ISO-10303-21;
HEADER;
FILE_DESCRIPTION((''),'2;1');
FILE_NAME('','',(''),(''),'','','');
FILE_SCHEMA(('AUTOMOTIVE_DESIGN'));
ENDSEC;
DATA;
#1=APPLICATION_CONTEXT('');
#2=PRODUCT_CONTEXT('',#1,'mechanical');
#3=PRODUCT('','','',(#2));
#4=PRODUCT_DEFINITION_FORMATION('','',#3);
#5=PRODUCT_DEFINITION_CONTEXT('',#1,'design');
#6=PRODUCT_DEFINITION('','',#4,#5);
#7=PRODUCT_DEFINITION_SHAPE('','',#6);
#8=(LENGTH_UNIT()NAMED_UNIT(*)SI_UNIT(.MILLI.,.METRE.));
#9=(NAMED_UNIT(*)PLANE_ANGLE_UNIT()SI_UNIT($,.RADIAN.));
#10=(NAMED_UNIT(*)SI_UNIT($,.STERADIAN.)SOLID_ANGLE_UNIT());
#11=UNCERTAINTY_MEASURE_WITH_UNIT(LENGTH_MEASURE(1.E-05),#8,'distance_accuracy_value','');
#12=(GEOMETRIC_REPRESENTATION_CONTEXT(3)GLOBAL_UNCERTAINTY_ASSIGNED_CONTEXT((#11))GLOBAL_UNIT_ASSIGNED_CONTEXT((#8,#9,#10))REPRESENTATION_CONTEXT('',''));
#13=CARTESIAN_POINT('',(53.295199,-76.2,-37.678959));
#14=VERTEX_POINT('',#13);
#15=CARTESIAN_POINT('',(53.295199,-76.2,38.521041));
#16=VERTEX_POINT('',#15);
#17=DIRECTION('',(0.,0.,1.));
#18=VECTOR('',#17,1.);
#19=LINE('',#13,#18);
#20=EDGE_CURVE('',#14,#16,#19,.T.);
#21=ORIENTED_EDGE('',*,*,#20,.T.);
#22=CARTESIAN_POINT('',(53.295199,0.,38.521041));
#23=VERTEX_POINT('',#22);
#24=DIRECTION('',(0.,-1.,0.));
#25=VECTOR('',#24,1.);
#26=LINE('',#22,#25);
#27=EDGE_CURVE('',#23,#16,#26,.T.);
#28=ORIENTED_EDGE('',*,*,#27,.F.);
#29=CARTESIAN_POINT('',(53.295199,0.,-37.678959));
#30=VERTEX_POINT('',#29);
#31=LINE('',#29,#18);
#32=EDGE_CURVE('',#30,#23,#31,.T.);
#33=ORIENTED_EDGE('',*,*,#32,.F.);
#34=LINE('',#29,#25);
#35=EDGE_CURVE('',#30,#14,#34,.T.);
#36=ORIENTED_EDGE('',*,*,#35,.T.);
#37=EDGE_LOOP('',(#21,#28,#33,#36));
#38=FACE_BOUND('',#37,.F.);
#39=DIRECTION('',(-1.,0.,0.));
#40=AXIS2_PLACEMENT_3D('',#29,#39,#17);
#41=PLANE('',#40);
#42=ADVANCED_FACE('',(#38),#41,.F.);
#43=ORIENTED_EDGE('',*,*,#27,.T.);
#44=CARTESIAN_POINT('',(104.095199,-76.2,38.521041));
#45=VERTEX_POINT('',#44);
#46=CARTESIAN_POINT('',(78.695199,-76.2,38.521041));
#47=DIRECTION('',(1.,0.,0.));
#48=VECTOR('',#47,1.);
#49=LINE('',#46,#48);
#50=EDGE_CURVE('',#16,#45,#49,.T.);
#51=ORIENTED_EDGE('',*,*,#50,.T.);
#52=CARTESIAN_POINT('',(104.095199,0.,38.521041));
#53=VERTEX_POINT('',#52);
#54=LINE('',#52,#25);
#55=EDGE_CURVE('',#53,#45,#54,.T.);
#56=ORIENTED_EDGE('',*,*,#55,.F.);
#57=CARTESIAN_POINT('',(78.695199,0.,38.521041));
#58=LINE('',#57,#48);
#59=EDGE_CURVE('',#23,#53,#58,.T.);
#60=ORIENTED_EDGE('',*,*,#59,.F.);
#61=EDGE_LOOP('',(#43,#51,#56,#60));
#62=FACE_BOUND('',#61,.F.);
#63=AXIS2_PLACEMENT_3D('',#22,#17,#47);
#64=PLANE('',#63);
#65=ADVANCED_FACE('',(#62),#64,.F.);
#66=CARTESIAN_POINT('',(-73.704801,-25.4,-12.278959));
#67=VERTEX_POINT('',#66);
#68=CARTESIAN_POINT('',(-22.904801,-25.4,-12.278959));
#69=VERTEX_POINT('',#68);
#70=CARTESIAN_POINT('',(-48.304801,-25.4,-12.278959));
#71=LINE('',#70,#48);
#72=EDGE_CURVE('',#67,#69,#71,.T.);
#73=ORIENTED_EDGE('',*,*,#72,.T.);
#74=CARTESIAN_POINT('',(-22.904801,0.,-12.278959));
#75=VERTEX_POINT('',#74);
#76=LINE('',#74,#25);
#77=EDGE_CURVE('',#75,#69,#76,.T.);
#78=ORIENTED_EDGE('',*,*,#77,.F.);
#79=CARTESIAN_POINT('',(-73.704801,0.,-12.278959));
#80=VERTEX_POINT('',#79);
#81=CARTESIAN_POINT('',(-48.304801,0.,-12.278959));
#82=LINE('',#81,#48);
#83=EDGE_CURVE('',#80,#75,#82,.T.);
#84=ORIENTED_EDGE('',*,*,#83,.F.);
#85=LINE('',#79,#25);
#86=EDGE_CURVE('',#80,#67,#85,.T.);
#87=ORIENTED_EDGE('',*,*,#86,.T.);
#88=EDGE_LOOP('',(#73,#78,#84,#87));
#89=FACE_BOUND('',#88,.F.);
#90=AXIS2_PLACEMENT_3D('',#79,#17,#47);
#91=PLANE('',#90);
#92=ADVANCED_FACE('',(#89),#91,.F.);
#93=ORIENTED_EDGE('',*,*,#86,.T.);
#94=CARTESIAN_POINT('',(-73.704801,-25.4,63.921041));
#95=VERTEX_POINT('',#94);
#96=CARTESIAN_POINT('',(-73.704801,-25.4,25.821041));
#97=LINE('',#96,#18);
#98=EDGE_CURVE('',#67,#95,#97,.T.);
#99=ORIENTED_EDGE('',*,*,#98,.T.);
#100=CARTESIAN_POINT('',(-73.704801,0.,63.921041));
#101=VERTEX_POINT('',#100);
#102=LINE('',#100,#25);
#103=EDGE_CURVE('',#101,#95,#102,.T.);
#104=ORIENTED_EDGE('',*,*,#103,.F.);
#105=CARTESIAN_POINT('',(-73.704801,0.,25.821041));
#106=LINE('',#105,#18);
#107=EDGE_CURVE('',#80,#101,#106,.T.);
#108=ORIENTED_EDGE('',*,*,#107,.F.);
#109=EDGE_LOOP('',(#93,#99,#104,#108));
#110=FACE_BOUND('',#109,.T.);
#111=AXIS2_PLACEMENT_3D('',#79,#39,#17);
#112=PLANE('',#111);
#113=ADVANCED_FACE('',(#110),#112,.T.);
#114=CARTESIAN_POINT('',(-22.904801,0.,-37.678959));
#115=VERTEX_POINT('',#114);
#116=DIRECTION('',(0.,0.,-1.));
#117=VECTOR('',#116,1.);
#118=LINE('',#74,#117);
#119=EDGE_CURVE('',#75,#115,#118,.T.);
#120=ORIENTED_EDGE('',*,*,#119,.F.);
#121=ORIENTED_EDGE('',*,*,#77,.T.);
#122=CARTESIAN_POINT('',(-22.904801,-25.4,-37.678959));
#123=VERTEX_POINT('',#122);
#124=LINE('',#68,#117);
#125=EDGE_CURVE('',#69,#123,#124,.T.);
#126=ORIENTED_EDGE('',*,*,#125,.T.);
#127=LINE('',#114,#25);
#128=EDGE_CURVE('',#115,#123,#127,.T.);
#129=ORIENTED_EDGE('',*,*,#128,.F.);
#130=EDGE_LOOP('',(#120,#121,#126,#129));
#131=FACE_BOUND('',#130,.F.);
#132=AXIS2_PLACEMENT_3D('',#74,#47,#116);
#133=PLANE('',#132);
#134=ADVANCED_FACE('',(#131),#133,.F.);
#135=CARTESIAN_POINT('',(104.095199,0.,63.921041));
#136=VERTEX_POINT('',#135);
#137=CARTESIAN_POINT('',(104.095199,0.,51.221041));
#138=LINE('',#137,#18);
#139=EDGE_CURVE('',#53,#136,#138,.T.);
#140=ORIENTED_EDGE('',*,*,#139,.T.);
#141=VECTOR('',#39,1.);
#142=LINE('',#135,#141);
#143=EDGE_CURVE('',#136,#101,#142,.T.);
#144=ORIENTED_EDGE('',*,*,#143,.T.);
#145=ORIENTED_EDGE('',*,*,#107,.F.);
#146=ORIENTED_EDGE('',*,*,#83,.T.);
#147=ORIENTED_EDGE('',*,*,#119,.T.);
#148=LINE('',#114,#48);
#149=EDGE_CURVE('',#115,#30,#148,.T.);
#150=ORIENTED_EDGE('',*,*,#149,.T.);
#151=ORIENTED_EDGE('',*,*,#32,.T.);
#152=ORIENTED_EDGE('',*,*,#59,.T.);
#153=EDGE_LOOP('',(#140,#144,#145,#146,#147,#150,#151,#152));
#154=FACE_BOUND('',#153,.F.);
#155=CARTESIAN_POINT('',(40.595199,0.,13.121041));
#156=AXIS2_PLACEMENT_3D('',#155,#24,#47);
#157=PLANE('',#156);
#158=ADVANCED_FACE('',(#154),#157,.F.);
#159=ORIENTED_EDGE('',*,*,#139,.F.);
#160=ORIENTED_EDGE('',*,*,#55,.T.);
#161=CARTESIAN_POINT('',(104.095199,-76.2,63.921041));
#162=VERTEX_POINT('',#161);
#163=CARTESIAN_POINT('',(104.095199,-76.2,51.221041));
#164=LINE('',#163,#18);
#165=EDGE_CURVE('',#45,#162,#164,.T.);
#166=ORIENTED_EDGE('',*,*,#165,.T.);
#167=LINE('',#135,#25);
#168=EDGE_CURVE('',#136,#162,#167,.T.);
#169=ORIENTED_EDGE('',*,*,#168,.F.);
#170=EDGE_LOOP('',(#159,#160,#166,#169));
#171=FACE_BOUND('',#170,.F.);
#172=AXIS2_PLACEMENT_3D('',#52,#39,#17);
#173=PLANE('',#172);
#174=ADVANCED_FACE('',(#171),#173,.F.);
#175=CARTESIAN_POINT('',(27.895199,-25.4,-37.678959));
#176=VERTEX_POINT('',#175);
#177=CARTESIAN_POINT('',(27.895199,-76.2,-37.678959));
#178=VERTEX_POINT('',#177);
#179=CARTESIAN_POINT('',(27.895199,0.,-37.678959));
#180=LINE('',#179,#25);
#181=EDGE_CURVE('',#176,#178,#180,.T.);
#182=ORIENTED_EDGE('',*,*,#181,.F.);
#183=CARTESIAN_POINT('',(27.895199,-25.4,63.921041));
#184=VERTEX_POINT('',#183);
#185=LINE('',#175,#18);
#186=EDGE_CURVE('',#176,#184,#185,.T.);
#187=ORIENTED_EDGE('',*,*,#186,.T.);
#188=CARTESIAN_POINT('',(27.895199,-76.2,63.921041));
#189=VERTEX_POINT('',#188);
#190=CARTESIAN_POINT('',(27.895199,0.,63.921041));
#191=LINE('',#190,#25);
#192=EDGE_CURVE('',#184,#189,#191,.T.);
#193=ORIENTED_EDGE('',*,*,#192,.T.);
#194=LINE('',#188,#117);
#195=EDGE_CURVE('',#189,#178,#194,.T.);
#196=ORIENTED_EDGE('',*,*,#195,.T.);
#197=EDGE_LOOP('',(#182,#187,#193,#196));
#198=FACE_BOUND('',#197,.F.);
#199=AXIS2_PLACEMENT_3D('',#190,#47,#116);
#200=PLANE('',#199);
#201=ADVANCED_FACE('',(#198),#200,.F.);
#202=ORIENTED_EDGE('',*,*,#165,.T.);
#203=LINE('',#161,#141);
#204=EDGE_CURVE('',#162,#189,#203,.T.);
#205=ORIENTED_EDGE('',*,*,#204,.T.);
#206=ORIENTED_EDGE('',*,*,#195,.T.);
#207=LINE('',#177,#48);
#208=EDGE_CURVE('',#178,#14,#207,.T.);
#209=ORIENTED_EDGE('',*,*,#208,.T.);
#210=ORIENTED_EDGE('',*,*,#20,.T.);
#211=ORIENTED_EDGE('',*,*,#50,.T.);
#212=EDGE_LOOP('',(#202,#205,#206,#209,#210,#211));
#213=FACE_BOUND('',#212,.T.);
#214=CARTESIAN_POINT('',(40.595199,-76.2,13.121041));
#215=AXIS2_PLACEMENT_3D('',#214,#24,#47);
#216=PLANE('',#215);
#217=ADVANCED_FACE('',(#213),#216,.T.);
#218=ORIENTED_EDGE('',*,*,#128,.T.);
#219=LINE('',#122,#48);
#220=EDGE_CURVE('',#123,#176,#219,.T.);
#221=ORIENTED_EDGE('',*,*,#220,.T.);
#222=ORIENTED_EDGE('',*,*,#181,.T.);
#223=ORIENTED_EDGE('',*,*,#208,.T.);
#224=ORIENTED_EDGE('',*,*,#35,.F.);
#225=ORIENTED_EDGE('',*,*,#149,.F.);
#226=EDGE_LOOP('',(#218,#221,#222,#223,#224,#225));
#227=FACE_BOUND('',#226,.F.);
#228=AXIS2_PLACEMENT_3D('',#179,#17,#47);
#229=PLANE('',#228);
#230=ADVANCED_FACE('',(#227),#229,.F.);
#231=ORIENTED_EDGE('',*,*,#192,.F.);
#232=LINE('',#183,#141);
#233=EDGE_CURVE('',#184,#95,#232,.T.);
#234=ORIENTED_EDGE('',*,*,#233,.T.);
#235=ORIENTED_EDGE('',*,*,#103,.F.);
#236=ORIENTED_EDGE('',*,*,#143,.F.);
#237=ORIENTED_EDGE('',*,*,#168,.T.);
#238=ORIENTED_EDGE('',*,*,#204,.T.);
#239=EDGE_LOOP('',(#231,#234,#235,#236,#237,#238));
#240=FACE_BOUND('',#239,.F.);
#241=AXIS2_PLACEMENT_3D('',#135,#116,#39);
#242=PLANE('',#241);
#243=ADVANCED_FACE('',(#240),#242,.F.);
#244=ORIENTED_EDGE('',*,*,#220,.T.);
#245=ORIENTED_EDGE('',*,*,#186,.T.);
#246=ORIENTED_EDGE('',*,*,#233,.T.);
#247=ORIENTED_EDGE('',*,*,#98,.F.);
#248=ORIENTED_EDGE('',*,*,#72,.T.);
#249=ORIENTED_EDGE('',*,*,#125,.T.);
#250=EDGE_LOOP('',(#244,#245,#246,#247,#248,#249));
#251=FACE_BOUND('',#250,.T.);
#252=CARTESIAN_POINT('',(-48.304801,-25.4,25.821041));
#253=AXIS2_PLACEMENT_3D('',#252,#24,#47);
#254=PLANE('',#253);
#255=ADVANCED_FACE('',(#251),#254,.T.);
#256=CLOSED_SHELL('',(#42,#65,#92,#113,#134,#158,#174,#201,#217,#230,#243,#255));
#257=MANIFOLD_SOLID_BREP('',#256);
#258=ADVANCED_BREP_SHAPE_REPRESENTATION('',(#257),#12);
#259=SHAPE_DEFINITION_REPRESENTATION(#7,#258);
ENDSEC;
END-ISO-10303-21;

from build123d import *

# Parameters (mm, degrees)
F0_W     = 50.8
F0_H     = 76.2
F1_DEPTH = 25.4
F0_H_2   = 25.4
F2_DEPTH = 76.2


with BuildPart() as f1:
    # F0 (on Front) → F1 (new body)
    with BuildSketch(Plane.XZ):
        with Locations((-48.304801, 25.821041)):
            Rectangle(F0_W, F0_H)
        Polygon((27.895199, 63.921041), (-22.904801, 63.921041), (-22.904801, -12.278959), (-22.904801, -37.678959), (27.895199, -37.678959), align=None)
    extrude(amount=F1_DEPTH)

    # F0 (on Front) → F2 (join)
    with BuildSketch(Plane.XZ):
        Polygon((53.295199, 63.921041), (27.895199, 63.921041), (27.895199, -37.678959), (53.295199, -37.678959), (53.295199, 38.521041), align=None)
        with Locations((78.695199, 51.221041)):
            Rectangle(F0_W, F0_H_2)
    extrude(amount=F2_DEPTH)


solid = f1.part
